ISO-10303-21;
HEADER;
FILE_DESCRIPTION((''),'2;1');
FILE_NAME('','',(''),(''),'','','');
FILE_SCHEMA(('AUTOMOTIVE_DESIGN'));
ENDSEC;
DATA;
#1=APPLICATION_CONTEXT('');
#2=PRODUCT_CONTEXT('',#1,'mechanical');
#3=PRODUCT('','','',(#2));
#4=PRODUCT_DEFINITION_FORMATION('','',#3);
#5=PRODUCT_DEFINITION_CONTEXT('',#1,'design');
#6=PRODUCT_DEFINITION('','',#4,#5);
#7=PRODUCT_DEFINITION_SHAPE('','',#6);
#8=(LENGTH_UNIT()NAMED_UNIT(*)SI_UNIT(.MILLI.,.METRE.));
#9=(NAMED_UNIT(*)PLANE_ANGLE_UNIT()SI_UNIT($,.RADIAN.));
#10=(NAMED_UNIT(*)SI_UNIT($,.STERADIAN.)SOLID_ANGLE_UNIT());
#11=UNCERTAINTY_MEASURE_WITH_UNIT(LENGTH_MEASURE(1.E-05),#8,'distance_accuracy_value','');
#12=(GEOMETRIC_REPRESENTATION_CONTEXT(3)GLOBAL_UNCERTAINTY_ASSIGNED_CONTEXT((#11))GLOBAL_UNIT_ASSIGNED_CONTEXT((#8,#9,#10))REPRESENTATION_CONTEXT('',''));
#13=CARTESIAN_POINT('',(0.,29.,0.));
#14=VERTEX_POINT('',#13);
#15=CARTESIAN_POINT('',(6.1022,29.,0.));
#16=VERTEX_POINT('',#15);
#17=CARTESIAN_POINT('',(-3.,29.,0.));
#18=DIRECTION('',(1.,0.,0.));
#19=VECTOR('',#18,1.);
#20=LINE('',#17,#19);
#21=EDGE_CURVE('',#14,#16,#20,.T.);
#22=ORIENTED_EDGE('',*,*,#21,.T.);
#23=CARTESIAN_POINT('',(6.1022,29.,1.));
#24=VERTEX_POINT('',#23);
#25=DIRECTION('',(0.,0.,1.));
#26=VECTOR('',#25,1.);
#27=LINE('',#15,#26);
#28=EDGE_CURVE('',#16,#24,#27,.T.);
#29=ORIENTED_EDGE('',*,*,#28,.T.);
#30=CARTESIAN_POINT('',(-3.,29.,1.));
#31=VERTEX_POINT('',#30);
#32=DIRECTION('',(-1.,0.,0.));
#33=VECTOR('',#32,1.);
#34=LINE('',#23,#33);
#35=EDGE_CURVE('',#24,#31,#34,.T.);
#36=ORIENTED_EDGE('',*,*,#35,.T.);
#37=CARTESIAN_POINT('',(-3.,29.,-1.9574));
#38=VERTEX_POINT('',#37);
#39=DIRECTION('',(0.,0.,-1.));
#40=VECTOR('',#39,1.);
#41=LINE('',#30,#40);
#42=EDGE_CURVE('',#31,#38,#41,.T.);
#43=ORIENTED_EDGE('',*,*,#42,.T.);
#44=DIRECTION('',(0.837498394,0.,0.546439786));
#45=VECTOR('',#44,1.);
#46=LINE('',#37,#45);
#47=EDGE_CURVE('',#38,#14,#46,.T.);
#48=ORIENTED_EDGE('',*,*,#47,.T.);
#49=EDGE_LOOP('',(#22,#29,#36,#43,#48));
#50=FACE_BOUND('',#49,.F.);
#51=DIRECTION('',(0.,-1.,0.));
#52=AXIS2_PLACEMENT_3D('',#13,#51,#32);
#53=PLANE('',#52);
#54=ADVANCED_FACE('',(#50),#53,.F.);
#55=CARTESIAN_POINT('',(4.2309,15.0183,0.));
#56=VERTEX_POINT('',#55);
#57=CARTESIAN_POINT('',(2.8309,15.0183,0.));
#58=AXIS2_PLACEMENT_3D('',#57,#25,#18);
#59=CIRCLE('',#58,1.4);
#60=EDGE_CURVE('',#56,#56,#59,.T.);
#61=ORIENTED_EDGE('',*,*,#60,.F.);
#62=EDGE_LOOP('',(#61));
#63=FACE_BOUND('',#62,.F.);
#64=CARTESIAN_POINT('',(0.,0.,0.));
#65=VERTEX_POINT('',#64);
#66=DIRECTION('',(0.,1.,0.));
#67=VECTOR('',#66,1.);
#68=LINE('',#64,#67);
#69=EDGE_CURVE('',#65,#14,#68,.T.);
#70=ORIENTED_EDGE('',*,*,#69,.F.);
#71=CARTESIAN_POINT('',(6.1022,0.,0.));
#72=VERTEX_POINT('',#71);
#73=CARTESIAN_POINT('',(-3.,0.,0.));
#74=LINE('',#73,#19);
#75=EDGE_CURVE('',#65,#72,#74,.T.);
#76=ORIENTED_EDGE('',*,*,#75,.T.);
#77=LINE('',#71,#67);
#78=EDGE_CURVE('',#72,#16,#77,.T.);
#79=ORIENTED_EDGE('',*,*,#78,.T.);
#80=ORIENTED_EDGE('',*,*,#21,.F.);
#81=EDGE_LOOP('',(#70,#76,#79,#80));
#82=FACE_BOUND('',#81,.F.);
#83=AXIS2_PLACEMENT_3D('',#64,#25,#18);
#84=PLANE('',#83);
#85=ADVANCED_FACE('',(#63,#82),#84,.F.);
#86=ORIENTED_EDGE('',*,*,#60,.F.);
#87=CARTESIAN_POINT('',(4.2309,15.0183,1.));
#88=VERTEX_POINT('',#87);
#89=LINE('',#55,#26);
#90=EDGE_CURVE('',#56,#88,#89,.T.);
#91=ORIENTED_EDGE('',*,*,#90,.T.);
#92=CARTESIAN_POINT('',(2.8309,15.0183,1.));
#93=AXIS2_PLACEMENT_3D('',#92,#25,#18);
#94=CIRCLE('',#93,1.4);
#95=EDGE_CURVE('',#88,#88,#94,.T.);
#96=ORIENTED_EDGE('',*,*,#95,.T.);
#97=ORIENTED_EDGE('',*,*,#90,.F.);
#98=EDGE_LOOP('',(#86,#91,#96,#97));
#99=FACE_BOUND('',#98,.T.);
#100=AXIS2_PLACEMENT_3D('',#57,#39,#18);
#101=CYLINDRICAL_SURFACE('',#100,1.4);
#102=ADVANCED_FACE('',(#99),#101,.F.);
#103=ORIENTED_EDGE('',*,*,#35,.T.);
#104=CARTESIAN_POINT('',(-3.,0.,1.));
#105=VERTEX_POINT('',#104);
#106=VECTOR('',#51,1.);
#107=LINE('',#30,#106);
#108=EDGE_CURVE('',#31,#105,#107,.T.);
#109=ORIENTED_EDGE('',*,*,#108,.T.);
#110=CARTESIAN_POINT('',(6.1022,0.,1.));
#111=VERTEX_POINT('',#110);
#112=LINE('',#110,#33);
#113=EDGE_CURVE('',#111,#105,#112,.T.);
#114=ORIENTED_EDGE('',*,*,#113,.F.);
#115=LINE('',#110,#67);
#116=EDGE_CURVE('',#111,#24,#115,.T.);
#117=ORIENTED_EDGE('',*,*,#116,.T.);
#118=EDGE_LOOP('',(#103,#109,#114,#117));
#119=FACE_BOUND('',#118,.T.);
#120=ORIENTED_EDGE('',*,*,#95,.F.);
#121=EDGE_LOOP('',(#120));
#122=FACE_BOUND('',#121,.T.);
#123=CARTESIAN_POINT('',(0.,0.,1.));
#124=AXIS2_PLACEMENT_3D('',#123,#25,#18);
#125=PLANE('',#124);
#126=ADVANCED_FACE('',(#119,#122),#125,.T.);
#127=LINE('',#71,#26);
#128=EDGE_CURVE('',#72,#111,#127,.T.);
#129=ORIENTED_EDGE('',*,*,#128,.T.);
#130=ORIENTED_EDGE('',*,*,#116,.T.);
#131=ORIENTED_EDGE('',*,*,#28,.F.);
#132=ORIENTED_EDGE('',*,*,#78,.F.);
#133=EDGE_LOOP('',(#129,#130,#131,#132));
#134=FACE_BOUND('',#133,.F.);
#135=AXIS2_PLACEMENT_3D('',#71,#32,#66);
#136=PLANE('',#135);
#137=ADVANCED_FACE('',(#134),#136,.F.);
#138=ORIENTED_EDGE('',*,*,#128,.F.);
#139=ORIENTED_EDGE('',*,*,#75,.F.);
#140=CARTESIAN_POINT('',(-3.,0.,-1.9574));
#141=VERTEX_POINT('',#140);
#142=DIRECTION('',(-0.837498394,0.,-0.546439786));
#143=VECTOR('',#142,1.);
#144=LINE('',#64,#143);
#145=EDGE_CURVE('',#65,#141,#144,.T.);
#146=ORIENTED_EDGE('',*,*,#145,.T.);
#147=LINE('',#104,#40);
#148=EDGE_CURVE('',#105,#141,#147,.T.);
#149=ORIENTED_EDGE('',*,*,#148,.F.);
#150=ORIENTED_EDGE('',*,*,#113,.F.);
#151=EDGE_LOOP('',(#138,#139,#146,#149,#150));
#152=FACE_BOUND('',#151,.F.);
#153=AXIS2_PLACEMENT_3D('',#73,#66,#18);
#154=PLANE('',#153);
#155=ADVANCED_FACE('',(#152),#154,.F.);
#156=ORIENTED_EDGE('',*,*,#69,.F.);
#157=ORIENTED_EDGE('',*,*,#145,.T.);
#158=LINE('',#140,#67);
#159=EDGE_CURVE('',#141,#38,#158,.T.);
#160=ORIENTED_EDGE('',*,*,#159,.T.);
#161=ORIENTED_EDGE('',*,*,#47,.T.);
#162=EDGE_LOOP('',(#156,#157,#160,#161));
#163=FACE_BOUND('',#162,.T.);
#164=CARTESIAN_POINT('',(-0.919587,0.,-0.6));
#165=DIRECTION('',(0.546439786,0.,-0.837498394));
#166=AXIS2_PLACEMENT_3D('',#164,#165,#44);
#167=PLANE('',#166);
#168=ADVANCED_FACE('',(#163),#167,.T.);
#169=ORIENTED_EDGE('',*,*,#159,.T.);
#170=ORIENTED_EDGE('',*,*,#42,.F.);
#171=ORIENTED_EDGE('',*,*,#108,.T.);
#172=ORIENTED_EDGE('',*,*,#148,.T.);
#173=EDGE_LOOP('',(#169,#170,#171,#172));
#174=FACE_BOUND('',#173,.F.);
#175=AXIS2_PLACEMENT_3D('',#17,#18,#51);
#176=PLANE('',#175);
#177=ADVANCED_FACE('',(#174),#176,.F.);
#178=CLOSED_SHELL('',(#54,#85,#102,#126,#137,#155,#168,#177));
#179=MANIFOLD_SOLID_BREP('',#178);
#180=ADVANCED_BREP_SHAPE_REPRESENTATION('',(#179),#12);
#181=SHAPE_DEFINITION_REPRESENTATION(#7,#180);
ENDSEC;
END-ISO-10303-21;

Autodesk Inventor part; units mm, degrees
ref_plane "YZ Plane" through (0, 0, 0) normal (1, 0, 0) x (0, 1, 0)
ref_plane "XZ Plane" through (0, 0, 0) normal (0, 1, 0) x (-1, 0, 0)
ref_plane "XY Plane" through (0, 0, 0) normal (0, 0, 1) x (1, 0, 0)
ref_plane "Work Plane1" through (0, 0, 0) normal (0, 0, 1) x (1, 0, 0)
sketch "Sketch1" plane through (0, 0, 0) normal (0, 0, 1) x (1, 0, 0)
  arc A0 (0, 9.6831) -> (0, 20.3535) centre (0, 15.0183) ccw projected
  line L0 (0, 0) -> (0, 9.6831) projected
  line L1 (6.1022, 0) -> (0, 0) projected
  line L2 (6.1022, 0) -> (6.1022, 29) projected
  line L3 (6.1022, 29) -> (0, 29) projected
  line L4 (0, 20.3535) -> (0, 29) projected
  line L5 (6.1022, 29) -> (-3, 29)
  line L6 (-3, 29) -> (-3, 0)
  line L7 (-3, 0) -> (6.1022, 0)
  line L8 (6.1022, 0) -> (6.1022, 29)
  circle A1 centre (2.8309, 15.0183) radius 1.4 projected
  dimension "d0" = 3
extrude "Extrusion1" add sketch "Sketch1" along normal blind 1
sketch "Sketch2" plane through (-3, 0, 0) normal (0, -1, 0) x (1, 0, 0)
  line L0 (0, 0) -> (9.1022, 0) projected
  line L1 (9.1022, 0) -> (9.1022, 1) projected
  line L2 (0, 1) -> (9.1022, 1) projected
  line L3 (0, 0) -> (0, 1) projected
  line L4 (-3.1221, -0.6) -> (3.4779, -0.6)
  line L5 (9.1022, 0) -> (0, 0) projected
  line L6 (0, 0) -> (3, 0)
  line L7 (0, 0) -> (0, -1.9574)
  line L8 (0, -1.9574) -> (3, 0)
  point P0 (0, -0.6)
extrude "Extrusion2" add sketch "Sketch2" against normal up to surface (29 mm away) contours L0 L8 L4 L7 | L4 L8 L7
properties part number "cellSTORM_v5_chiptry_clamp"
